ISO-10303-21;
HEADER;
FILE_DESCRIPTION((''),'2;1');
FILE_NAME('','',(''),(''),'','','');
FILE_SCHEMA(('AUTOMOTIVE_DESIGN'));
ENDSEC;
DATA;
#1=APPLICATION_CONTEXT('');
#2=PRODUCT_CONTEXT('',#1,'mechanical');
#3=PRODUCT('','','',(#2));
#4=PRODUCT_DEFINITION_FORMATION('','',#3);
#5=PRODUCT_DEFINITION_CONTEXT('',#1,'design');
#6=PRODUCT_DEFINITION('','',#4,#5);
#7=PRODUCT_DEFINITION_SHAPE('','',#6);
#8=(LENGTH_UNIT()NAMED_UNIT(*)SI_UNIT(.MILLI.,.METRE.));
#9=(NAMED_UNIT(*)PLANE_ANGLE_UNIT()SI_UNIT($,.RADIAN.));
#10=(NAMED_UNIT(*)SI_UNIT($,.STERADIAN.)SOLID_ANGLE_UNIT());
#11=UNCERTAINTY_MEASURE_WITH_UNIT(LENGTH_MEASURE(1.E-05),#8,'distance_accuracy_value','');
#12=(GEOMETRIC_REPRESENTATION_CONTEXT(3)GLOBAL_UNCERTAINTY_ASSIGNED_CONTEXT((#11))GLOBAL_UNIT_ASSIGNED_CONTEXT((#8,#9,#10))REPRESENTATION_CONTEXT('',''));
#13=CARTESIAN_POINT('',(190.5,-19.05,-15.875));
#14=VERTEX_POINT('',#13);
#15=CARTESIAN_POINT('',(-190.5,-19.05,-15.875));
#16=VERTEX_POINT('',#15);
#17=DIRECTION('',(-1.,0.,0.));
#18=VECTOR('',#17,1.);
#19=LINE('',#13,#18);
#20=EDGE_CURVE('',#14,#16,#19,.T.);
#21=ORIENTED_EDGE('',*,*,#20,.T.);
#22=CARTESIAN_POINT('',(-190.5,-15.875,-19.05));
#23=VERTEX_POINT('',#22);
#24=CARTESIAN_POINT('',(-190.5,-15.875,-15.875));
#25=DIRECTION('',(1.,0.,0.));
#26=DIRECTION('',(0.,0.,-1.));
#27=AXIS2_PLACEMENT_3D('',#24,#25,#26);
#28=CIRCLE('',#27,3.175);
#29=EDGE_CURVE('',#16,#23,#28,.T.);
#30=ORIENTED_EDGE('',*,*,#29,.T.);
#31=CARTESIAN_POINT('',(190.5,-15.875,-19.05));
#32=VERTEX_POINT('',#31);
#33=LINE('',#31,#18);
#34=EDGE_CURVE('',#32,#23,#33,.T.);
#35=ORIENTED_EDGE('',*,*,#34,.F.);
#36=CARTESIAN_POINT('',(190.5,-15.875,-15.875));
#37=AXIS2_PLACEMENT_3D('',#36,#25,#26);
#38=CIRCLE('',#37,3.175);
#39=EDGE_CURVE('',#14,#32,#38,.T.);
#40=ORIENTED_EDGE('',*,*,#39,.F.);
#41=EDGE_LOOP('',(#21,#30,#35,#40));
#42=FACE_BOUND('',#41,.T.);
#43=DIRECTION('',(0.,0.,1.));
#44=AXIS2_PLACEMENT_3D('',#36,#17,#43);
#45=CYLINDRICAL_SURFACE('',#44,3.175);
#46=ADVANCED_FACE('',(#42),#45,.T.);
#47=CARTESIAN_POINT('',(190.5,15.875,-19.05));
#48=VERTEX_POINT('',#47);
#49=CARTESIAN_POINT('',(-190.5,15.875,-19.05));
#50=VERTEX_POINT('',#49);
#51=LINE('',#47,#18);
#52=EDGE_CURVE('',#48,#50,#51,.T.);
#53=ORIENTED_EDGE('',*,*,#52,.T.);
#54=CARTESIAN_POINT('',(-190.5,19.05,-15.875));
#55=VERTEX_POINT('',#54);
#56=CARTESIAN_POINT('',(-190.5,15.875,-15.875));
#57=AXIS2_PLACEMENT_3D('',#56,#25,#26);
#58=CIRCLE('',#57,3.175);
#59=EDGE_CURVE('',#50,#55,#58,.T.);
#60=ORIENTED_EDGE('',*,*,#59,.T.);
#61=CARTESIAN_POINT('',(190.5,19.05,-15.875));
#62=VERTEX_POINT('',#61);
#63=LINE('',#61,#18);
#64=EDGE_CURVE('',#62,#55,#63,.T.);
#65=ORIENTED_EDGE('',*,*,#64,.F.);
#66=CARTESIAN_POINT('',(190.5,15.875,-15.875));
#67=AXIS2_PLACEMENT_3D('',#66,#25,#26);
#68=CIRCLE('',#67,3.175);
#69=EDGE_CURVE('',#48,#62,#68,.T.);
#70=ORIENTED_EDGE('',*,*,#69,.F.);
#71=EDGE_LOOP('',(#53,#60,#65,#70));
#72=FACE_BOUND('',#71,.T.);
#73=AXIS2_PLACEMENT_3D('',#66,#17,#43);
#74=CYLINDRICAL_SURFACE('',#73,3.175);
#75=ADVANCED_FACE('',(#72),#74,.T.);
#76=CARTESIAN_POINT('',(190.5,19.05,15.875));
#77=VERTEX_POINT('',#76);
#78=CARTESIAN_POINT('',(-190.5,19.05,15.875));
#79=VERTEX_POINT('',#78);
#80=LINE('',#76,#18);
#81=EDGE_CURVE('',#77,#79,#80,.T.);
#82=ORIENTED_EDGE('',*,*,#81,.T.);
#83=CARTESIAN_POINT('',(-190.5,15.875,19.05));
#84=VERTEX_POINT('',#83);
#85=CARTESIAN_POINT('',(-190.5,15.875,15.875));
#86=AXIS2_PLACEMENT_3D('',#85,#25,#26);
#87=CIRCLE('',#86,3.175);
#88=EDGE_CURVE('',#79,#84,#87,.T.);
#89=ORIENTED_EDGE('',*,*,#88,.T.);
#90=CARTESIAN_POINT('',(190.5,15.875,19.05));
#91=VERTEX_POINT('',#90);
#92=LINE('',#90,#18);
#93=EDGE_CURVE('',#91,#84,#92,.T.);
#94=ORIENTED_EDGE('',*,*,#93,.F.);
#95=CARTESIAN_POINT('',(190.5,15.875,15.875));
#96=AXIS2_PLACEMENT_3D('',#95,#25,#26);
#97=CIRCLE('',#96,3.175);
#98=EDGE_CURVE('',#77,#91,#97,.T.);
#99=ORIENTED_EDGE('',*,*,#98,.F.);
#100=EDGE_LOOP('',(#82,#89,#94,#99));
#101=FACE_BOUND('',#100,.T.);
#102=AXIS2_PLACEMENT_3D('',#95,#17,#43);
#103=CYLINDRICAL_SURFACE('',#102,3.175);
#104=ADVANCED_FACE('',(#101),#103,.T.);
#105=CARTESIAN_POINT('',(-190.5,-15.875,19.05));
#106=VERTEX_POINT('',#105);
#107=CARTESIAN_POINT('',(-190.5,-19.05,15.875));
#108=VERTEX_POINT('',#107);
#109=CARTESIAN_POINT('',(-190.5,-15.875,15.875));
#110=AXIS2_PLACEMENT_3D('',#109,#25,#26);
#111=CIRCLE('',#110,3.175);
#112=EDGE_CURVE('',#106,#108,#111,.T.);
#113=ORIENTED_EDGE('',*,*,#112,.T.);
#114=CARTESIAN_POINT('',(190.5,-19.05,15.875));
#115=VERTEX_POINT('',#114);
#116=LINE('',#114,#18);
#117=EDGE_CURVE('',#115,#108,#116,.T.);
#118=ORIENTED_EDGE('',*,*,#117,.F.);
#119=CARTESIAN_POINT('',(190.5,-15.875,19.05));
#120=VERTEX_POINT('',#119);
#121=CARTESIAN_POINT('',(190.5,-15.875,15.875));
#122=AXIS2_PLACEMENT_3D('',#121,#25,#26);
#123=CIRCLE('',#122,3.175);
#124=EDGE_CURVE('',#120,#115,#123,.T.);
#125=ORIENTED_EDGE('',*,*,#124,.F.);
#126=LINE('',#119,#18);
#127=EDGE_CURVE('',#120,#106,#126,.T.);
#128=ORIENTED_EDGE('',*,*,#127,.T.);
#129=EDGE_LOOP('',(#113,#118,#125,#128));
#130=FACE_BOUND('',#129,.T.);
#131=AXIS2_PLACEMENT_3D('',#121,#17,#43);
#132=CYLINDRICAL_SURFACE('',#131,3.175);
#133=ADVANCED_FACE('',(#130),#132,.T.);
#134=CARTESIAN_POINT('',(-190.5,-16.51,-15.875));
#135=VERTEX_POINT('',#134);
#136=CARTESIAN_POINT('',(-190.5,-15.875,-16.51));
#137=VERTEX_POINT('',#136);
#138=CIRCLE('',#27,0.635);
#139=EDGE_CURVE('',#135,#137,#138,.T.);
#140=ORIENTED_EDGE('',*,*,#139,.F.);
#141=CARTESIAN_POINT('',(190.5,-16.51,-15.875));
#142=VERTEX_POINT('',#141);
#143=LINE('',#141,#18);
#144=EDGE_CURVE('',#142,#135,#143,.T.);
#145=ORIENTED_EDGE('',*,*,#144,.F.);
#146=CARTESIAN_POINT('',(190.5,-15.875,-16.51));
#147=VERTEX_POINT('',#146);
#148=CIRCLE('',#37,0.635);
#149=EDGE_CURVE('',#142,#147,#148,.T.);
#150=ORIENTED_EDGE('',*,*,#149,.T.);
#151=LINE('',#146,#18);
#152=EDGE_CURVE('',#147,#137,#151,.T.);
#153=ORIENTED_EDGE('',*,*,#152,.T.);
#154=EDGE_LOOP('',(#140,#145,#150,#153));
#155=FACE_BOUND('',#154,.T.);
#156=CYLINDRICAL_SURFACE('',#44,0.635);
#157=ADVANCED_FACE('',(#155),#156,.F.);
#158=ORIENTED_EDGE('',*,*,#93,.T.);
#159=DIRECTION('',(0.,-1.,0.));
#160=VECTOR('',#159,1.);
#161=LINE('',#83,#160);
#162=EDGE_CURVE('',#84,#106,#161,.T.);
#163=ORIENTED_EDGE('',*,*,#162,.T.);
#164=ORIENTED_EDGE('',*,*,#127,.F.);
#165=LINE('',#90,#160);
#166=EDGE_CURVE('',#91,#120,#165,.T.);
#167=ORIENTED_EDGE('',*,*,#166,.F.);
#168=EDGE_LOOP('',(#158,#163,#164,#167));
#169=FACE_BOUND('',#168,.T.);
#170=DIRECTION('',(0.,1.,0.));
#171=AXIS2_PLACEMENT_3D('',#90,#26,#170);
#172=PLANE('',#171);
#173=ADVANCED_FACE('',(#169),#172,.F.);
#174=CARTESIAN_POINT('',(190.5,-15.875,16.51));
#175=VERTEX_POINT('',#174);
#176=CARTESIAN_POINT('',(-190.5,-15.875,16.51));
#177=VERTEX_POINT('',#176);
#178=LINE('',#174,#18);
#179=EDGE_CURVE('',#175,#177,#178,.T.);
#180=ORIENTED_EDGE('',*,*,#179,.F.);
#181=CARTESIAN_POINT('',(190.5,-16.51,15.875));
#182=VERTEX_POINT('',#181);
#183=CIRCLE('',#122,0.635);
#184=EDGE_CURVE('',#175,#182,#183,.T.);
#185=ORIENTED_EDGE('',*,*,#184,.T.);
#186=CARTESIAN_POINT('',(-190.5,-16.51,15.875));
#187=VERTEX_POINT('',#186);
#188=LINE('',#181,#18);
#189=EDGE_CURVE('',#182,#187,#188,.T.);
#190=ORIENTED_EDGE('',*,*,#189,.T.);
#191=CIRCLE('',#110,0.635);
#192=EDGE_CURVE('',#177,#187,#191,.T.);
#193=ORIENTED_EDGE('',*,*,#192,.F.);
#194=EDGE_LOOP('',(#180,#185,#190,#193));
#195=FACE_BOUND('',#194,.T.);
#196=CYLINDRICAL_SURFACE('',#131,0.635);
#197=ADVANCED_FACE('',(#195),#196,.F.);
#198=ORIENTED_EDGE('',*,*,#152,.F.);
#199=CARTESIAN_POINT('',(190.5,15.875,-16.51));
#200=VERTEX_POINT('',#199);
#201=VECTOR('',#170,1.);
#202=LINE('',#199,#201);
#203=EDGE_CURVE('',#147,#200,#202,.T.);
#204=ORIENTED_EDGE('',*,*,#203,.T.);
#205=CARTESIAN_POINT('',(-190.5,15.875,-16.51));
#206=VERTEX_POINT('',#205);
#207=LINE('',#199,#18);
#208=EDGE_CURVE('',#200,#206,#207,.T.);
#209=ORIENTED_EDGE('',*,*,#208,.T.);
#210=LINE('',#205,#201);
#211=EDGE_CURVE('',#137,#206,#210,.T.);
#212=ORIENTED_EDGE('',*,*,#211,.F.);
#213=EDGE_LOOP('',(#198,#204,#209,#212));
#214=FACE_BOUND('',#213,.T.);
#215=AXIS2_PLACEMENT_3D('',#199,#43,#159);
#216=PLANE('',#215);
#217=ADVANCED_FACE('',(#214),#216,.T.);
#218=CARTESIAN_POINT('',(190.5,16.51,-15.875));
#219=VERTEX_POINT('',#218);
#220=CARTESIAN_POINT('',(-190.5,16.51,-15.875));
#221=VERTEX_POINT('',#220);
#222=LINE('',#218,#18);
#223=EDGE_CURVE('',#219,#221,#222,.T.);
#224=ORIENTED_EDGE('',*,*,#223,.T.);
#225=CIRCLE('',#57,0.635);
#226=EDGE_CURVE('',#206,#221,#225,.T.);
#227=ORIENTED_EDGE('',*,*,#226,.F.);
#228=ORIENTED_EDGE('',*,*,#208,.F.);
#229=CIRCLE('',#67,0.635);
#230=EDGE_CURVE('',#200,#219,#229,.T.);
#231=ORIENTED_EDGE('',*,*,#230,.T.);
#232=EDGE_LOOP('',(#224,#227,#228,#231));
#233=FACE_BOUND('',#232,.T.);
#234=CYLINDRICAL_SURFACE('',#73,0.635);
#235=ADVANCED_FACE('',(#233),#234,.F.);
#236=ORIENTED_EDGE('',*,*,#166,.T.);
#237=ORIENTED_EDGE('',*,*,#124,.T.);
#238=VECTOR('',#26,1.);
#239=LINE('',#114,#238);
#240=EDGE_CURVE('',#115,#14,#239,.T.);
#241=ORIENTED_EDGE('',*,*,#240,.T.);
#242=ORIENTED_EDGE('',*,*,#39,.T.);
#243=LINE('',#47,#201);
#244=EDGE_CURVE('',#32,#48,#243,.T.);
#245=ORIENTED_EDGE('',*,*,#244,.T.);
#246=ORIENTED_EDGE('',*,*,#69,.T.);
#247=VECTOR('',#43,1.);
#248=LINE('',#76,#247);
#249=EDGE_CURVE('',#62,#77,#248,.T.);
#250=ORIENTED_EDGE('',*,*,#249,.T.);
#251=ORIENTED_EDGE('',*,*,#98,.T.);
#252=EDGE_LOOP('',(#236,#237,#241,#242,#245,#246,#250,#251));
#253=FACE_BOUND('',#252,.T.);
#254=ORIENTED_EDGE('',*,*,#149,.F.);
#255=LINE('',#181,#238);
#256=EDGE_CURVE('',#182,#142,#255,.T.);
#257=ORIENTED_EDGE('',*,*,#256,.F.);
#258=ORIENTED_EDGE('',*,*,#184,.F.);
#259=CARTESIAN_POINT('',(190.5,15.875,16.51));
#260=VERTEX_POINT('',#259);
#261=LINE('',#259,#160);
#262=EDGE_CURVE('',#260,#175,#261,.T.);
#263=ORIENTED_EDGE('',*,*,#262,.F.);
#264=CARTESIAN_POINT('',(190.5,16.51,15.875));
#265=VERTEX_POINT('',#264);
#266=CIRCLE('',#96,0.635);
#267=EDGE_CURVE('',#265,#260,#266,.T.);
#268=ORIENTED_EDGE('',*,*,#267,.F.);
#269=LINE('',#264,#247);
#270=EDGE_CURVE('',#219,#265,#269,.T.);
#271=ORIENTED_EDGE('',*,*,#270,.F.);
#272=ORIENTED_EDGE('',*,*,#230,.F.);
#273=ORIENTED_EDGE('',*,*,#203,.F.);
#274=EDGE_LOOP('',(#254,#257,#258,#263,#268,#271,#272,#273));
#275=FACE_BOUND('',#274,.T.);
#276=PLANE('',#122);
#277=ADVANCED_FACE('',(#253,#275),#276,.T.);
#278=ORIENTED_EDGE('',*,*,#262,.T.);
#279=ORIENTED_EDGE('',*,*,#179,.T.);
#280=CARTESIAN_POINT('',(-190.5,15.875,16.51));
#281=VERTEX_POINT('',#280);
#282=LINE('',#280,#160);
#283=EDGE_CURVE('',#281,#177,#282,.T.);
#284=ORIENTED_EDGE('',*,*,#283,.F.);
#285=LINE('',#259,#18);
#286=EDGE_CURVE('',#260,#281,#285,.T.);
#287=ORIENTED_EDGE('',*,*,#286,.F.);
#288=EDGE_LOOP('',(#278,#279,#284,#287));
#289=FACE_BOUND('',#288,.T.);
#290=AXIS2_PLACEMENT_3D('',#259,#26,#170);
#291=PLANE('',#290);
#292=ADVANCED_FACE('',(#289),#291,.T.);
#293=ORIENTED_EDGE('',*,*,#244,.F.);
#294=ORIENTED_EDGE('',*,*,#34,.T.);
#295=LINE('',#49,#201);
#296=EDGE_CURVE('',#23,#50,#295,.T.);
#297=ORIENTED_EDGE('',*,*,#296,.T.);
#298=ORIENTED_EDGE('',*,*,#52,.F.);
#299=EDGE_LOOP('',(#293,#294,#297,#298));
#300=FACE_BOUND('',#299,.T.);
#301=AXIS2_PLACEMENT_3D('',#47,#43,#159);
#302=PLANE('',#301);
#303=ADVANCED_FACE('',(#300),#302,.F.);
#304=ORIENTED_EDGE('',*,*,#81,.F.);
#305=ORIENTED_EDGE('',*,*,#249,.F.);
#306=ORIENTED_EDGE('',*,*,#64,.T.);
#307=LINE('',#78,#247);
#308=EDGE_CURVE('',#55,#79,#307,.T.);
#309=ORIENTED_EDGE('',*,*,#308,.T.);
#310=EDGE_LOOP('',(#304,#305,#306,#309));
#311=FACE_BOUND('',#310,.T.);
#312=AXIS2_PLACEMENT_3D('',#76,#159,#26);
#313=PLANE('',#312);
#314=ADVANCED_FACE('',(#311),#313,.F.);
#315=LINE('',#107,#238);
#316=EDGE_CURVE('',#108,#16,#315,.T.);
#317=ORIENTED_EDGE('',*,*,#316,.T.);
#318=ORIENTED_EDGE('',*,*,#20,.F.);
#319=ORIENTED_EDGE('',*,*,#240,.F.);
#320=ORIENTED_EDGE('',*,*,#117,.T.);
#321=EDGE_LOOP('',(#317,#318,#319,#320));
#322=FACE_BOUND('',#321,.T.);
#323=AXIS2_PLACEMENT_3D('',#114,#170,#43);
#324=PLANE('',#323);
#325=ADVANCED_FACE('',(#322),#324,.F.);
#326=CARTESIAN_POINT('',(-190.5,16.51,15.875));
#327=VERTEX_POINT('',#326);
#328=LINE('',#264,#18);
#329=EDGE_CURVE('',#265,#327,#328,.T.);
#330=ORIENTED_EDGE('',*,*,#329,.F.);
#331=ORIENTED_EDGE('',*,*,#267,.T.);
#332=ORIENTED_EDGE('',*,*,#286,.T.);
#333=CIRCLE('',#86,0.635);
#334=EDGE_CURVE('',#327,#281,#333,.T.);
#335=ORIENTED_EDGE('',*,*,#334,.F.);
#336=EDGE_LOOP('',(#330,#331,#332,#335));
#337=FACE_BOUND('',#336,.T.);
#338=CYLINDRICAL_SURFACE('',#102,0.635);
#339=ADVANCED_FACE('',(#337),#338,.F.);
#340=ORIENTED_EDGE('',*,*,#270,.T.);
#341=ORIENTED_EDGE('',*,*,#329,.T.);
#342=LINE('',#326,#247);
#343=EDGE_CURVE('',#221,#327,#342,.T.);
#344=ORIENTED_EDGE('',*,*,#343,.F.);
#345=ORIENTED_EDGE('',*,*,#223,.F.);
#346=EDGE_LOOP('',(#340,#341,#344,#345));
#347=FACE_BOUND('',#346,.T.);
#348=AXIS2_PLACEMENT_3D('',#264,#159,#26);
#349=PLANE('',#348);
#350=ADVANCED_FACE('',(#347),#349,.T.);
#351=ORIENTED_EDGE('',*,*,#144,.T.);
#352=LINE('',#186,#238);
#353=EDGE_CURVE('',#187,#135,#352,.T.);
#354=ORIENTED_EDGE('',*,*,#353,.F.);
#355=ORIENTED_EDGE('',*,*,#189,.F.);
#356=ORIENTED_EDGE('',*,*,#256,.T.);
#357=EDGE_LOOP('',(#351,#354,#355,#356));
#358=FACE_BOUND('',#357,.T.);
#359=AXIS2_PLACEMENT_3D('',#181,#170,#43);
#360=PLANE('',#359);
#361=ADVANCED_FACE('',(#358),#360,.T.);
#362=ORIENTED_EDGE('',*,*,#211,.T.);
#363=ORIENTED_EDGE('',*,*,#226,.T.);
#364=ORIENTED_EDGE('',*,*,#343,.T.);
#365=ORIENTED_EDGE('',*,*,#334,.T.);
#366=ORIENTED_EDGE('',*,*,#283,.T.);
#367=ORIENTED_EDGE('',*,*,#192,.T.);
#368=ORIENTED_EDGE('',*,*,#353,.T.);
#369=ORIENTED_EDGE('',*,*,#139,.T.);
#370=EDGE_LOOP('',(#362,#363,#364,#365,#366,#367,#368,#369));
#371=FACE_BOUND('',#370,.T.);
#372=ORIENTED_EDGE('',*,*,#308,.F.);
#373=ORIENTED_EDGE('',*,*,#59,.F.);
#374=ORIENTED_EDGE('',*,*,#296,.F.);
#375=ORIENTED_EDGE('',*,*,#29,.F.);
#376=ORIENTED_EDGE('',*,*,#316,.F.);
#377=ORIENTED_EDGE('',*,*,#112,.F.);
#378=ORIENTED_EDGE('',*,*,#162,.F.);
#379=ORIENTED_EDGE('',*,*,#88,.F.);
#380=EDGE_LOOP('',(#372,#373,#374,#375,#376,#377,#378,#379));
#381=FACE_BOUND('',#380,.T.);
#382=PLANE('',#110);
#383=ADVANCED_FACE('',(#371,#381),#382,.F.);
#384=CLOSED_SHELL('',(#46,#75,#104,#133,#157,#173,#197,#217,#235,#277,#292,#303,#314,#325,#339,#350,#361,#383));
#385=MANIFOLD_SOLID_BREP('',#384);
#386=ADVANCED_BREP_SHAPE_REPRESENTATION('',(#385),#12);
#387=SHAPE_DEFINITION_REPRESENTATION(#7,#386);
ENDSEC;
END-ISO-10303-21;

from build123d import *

# Parameters (mm, degrees)
EXTRUDE_THIN1_DEPTH = 190.5


with BuildPart() as part:
    # Sketch1 → Extrude-Thin1 (new body, symmetric)
    with BuildSketch(Plane(origin=(0, 0, 0), x_dir=(0, 0, -1), z_dir=(1, 0, 0))):
        with BuildLine():
            Line((-15.875, 19.05), (15.875, 19.05))
            ThreePointArc((15.875, 19.05), (18.12006403, 18.12006403), (19.05, 15.875))
            Line((19.05, 15.875), (19.05, -15.875))
            ThreePointArc((19.05, -15.875), (18.12006403, -18.12006403), (15.875, -19.05))
            Line((15.875, -19.05), (-15.875, -19.05))
            ThreePointArc((-15.875, -19.05), (-18.12006403, -18.12006403), (-19.05, -15.875))
            Line((-19.05, -15.875), (-19.05, 15.875))
            ThreePointArc((-19.05, 15.875), (-18.12006403, 18.12006403), (-15.875, 19.05))
        make_face()
        with BuildLine():
            Line((-15.875, 16.51), (15.875, 16.51))
            ThreePointArc((15.875, 16.51), (16.324012806, 16.324012806), (16.51, 15.875))
            Line((16.51, 15.875), (16.51, -15.875))
            ThreePointArc((16.51, -15.875), (16.324012806, -16.324012806), (15.875, -16.51))
            Line((15.875, -16.51), (-15.875, -16.51))
            ThreePointArc((-15.875, -16.51), (-16.324012806, -16.324012806), (-16.51, -15.875))
            Line((-16.51, -15.875), (-16.51, 15.875))
            ThreePointArc((-16.51, 15.875), (-16.324012806, 16.324012806), (-15.875, 16.51))
        make_face(mode=Mode.SUBTRACT)
    extrude(amount=EXTRUDE_THIN1_DEPTH, both=True)


solid = part.part
